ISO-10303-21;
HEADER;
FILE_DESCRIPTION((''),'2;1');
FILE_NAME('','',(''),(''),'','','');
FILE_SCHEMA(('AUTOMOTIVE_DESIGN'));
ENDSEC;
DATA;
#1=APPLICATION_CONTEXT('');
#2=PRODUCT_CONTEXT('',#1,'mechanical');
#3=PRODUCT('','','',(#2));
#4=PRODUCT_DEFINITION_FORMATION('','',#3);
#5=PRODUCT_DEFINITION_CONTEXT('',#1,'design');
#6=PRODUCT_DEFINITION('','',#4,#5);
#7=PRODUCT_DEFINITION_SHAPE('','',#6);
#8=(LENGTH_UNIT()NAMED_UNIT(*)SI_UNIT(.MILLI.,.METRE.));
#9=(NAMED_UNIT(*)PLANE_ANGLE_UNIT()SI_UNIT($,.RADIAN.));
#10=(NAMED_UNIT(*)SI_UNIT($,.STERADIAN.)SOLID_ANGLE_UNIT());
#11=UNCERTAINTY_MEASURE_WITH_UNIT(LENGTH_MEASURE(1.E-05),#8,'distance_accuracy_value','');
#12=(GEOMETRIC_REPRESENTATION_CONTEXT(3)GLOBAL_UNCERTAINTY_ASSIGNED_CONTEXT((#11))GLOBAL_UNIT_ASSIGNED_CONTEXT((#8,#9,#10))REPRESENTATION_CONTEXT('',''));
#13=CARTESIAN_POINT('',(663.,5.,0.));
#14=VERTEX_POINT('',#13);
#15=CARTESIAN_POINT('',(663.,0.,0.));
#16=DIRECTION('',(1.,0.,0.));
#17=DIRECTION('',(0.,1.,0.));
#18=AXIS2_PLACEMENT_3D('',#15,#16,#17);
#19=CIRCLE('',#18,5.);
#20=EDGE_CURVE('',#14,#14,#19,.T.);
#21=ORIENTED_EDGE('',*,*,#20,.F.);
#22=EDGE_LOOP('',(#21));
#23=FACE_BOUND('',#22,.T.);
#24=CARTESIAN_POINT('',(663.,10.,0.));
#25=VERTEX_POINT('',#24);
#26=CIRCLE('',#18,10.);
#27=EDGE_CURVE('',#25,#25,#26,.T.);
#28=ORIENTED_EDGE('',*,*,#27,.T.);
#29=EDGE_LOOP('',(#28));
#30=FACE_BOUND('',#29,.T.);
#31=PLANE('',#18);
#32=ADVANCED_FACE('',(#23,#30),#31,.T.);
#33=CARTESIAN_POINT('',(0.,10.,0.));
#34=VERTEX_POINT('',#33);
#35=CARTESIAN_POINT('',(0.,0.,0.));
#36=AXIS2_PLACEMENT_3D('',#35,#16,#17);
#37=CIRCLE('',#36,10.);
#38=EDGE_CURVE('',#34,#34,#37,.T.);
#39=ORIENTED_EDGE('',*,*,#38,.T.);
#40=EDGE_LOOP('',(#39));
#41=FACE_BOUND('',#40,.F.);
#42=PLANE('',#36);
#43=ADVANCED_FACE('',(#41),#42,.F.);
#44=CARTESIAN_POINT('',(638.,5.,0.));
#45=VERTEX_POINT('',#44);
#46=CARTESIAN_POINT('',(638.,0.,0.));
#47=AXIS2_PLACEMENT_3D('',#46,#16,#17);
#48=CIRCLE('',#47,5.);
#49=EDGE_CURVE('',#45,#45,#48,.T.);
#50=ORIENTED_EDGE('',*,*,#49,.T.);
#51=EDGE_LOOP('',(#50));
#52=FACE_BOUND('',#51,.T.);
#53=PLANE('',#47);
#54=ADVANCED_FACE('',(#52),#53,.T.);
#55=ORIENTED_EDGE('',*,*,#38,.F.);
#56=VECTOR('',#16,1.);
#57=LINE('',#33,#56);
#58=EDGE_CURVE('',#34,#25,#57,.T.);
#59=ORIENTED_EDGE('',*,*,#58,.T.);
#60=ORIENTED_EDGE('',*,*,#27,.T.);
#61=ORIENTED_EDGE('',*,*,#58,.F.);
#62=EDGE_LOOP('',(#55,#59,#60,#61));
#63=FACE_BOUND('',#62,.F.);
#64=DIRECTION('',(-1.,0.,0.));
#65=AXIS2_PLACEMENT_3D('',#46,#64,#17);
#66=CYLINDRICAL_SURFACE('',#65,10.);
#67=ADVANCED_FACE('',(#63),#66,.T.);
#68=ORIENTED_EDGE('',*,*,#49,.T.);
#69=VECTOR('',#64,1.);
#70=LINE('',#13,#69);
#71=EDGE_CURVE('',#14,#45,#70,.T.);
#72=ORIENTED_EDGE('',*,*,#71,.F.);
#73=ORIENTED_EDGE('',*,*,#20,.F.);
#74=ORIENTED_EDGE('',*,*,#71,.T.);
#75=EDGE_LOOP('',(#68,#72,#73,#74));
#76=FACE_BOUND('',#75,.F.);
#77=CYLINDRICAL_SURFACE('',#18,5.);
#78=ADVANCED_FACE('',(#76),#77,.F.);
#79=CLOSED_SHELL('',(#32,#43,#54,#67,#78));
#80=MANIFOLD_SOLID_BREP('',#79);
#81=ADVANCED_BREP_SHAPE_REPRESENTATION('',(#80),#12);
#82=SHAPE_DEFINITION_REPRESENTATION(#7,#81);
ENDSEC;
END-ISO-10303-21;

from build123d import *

# Parameters (mm, degrees)
F0_R      = 10
F1_DEPTH  = 638
F1_FACE_R = 10
F2_DEPTH  = 25
F3_R      = 5
F4_DEPTH  = 25


with BuildPart() as f1:
    # F0 (on Right) → F1 (new body)
    with BuildSketch(Plane.YZ):
        Circle(F0_R)
    extrude(amount=F1_DEPTH)

    # F1_face (on face) → F2 (join)
    with BuildSketch(Plane.YZ.offset(638)):
        Circle(F1_FACE_R)
    extrude(amount=F2_DEPTH)

    # F3 (on face) → F4 (cut)
    with BuildSketch(Plane.YZ.offset(663)):
        Circle(F3_R)
    extrude(amount=-F4_DEPTH, mode=Mode.SUBTRACT)


solid = f1.part
